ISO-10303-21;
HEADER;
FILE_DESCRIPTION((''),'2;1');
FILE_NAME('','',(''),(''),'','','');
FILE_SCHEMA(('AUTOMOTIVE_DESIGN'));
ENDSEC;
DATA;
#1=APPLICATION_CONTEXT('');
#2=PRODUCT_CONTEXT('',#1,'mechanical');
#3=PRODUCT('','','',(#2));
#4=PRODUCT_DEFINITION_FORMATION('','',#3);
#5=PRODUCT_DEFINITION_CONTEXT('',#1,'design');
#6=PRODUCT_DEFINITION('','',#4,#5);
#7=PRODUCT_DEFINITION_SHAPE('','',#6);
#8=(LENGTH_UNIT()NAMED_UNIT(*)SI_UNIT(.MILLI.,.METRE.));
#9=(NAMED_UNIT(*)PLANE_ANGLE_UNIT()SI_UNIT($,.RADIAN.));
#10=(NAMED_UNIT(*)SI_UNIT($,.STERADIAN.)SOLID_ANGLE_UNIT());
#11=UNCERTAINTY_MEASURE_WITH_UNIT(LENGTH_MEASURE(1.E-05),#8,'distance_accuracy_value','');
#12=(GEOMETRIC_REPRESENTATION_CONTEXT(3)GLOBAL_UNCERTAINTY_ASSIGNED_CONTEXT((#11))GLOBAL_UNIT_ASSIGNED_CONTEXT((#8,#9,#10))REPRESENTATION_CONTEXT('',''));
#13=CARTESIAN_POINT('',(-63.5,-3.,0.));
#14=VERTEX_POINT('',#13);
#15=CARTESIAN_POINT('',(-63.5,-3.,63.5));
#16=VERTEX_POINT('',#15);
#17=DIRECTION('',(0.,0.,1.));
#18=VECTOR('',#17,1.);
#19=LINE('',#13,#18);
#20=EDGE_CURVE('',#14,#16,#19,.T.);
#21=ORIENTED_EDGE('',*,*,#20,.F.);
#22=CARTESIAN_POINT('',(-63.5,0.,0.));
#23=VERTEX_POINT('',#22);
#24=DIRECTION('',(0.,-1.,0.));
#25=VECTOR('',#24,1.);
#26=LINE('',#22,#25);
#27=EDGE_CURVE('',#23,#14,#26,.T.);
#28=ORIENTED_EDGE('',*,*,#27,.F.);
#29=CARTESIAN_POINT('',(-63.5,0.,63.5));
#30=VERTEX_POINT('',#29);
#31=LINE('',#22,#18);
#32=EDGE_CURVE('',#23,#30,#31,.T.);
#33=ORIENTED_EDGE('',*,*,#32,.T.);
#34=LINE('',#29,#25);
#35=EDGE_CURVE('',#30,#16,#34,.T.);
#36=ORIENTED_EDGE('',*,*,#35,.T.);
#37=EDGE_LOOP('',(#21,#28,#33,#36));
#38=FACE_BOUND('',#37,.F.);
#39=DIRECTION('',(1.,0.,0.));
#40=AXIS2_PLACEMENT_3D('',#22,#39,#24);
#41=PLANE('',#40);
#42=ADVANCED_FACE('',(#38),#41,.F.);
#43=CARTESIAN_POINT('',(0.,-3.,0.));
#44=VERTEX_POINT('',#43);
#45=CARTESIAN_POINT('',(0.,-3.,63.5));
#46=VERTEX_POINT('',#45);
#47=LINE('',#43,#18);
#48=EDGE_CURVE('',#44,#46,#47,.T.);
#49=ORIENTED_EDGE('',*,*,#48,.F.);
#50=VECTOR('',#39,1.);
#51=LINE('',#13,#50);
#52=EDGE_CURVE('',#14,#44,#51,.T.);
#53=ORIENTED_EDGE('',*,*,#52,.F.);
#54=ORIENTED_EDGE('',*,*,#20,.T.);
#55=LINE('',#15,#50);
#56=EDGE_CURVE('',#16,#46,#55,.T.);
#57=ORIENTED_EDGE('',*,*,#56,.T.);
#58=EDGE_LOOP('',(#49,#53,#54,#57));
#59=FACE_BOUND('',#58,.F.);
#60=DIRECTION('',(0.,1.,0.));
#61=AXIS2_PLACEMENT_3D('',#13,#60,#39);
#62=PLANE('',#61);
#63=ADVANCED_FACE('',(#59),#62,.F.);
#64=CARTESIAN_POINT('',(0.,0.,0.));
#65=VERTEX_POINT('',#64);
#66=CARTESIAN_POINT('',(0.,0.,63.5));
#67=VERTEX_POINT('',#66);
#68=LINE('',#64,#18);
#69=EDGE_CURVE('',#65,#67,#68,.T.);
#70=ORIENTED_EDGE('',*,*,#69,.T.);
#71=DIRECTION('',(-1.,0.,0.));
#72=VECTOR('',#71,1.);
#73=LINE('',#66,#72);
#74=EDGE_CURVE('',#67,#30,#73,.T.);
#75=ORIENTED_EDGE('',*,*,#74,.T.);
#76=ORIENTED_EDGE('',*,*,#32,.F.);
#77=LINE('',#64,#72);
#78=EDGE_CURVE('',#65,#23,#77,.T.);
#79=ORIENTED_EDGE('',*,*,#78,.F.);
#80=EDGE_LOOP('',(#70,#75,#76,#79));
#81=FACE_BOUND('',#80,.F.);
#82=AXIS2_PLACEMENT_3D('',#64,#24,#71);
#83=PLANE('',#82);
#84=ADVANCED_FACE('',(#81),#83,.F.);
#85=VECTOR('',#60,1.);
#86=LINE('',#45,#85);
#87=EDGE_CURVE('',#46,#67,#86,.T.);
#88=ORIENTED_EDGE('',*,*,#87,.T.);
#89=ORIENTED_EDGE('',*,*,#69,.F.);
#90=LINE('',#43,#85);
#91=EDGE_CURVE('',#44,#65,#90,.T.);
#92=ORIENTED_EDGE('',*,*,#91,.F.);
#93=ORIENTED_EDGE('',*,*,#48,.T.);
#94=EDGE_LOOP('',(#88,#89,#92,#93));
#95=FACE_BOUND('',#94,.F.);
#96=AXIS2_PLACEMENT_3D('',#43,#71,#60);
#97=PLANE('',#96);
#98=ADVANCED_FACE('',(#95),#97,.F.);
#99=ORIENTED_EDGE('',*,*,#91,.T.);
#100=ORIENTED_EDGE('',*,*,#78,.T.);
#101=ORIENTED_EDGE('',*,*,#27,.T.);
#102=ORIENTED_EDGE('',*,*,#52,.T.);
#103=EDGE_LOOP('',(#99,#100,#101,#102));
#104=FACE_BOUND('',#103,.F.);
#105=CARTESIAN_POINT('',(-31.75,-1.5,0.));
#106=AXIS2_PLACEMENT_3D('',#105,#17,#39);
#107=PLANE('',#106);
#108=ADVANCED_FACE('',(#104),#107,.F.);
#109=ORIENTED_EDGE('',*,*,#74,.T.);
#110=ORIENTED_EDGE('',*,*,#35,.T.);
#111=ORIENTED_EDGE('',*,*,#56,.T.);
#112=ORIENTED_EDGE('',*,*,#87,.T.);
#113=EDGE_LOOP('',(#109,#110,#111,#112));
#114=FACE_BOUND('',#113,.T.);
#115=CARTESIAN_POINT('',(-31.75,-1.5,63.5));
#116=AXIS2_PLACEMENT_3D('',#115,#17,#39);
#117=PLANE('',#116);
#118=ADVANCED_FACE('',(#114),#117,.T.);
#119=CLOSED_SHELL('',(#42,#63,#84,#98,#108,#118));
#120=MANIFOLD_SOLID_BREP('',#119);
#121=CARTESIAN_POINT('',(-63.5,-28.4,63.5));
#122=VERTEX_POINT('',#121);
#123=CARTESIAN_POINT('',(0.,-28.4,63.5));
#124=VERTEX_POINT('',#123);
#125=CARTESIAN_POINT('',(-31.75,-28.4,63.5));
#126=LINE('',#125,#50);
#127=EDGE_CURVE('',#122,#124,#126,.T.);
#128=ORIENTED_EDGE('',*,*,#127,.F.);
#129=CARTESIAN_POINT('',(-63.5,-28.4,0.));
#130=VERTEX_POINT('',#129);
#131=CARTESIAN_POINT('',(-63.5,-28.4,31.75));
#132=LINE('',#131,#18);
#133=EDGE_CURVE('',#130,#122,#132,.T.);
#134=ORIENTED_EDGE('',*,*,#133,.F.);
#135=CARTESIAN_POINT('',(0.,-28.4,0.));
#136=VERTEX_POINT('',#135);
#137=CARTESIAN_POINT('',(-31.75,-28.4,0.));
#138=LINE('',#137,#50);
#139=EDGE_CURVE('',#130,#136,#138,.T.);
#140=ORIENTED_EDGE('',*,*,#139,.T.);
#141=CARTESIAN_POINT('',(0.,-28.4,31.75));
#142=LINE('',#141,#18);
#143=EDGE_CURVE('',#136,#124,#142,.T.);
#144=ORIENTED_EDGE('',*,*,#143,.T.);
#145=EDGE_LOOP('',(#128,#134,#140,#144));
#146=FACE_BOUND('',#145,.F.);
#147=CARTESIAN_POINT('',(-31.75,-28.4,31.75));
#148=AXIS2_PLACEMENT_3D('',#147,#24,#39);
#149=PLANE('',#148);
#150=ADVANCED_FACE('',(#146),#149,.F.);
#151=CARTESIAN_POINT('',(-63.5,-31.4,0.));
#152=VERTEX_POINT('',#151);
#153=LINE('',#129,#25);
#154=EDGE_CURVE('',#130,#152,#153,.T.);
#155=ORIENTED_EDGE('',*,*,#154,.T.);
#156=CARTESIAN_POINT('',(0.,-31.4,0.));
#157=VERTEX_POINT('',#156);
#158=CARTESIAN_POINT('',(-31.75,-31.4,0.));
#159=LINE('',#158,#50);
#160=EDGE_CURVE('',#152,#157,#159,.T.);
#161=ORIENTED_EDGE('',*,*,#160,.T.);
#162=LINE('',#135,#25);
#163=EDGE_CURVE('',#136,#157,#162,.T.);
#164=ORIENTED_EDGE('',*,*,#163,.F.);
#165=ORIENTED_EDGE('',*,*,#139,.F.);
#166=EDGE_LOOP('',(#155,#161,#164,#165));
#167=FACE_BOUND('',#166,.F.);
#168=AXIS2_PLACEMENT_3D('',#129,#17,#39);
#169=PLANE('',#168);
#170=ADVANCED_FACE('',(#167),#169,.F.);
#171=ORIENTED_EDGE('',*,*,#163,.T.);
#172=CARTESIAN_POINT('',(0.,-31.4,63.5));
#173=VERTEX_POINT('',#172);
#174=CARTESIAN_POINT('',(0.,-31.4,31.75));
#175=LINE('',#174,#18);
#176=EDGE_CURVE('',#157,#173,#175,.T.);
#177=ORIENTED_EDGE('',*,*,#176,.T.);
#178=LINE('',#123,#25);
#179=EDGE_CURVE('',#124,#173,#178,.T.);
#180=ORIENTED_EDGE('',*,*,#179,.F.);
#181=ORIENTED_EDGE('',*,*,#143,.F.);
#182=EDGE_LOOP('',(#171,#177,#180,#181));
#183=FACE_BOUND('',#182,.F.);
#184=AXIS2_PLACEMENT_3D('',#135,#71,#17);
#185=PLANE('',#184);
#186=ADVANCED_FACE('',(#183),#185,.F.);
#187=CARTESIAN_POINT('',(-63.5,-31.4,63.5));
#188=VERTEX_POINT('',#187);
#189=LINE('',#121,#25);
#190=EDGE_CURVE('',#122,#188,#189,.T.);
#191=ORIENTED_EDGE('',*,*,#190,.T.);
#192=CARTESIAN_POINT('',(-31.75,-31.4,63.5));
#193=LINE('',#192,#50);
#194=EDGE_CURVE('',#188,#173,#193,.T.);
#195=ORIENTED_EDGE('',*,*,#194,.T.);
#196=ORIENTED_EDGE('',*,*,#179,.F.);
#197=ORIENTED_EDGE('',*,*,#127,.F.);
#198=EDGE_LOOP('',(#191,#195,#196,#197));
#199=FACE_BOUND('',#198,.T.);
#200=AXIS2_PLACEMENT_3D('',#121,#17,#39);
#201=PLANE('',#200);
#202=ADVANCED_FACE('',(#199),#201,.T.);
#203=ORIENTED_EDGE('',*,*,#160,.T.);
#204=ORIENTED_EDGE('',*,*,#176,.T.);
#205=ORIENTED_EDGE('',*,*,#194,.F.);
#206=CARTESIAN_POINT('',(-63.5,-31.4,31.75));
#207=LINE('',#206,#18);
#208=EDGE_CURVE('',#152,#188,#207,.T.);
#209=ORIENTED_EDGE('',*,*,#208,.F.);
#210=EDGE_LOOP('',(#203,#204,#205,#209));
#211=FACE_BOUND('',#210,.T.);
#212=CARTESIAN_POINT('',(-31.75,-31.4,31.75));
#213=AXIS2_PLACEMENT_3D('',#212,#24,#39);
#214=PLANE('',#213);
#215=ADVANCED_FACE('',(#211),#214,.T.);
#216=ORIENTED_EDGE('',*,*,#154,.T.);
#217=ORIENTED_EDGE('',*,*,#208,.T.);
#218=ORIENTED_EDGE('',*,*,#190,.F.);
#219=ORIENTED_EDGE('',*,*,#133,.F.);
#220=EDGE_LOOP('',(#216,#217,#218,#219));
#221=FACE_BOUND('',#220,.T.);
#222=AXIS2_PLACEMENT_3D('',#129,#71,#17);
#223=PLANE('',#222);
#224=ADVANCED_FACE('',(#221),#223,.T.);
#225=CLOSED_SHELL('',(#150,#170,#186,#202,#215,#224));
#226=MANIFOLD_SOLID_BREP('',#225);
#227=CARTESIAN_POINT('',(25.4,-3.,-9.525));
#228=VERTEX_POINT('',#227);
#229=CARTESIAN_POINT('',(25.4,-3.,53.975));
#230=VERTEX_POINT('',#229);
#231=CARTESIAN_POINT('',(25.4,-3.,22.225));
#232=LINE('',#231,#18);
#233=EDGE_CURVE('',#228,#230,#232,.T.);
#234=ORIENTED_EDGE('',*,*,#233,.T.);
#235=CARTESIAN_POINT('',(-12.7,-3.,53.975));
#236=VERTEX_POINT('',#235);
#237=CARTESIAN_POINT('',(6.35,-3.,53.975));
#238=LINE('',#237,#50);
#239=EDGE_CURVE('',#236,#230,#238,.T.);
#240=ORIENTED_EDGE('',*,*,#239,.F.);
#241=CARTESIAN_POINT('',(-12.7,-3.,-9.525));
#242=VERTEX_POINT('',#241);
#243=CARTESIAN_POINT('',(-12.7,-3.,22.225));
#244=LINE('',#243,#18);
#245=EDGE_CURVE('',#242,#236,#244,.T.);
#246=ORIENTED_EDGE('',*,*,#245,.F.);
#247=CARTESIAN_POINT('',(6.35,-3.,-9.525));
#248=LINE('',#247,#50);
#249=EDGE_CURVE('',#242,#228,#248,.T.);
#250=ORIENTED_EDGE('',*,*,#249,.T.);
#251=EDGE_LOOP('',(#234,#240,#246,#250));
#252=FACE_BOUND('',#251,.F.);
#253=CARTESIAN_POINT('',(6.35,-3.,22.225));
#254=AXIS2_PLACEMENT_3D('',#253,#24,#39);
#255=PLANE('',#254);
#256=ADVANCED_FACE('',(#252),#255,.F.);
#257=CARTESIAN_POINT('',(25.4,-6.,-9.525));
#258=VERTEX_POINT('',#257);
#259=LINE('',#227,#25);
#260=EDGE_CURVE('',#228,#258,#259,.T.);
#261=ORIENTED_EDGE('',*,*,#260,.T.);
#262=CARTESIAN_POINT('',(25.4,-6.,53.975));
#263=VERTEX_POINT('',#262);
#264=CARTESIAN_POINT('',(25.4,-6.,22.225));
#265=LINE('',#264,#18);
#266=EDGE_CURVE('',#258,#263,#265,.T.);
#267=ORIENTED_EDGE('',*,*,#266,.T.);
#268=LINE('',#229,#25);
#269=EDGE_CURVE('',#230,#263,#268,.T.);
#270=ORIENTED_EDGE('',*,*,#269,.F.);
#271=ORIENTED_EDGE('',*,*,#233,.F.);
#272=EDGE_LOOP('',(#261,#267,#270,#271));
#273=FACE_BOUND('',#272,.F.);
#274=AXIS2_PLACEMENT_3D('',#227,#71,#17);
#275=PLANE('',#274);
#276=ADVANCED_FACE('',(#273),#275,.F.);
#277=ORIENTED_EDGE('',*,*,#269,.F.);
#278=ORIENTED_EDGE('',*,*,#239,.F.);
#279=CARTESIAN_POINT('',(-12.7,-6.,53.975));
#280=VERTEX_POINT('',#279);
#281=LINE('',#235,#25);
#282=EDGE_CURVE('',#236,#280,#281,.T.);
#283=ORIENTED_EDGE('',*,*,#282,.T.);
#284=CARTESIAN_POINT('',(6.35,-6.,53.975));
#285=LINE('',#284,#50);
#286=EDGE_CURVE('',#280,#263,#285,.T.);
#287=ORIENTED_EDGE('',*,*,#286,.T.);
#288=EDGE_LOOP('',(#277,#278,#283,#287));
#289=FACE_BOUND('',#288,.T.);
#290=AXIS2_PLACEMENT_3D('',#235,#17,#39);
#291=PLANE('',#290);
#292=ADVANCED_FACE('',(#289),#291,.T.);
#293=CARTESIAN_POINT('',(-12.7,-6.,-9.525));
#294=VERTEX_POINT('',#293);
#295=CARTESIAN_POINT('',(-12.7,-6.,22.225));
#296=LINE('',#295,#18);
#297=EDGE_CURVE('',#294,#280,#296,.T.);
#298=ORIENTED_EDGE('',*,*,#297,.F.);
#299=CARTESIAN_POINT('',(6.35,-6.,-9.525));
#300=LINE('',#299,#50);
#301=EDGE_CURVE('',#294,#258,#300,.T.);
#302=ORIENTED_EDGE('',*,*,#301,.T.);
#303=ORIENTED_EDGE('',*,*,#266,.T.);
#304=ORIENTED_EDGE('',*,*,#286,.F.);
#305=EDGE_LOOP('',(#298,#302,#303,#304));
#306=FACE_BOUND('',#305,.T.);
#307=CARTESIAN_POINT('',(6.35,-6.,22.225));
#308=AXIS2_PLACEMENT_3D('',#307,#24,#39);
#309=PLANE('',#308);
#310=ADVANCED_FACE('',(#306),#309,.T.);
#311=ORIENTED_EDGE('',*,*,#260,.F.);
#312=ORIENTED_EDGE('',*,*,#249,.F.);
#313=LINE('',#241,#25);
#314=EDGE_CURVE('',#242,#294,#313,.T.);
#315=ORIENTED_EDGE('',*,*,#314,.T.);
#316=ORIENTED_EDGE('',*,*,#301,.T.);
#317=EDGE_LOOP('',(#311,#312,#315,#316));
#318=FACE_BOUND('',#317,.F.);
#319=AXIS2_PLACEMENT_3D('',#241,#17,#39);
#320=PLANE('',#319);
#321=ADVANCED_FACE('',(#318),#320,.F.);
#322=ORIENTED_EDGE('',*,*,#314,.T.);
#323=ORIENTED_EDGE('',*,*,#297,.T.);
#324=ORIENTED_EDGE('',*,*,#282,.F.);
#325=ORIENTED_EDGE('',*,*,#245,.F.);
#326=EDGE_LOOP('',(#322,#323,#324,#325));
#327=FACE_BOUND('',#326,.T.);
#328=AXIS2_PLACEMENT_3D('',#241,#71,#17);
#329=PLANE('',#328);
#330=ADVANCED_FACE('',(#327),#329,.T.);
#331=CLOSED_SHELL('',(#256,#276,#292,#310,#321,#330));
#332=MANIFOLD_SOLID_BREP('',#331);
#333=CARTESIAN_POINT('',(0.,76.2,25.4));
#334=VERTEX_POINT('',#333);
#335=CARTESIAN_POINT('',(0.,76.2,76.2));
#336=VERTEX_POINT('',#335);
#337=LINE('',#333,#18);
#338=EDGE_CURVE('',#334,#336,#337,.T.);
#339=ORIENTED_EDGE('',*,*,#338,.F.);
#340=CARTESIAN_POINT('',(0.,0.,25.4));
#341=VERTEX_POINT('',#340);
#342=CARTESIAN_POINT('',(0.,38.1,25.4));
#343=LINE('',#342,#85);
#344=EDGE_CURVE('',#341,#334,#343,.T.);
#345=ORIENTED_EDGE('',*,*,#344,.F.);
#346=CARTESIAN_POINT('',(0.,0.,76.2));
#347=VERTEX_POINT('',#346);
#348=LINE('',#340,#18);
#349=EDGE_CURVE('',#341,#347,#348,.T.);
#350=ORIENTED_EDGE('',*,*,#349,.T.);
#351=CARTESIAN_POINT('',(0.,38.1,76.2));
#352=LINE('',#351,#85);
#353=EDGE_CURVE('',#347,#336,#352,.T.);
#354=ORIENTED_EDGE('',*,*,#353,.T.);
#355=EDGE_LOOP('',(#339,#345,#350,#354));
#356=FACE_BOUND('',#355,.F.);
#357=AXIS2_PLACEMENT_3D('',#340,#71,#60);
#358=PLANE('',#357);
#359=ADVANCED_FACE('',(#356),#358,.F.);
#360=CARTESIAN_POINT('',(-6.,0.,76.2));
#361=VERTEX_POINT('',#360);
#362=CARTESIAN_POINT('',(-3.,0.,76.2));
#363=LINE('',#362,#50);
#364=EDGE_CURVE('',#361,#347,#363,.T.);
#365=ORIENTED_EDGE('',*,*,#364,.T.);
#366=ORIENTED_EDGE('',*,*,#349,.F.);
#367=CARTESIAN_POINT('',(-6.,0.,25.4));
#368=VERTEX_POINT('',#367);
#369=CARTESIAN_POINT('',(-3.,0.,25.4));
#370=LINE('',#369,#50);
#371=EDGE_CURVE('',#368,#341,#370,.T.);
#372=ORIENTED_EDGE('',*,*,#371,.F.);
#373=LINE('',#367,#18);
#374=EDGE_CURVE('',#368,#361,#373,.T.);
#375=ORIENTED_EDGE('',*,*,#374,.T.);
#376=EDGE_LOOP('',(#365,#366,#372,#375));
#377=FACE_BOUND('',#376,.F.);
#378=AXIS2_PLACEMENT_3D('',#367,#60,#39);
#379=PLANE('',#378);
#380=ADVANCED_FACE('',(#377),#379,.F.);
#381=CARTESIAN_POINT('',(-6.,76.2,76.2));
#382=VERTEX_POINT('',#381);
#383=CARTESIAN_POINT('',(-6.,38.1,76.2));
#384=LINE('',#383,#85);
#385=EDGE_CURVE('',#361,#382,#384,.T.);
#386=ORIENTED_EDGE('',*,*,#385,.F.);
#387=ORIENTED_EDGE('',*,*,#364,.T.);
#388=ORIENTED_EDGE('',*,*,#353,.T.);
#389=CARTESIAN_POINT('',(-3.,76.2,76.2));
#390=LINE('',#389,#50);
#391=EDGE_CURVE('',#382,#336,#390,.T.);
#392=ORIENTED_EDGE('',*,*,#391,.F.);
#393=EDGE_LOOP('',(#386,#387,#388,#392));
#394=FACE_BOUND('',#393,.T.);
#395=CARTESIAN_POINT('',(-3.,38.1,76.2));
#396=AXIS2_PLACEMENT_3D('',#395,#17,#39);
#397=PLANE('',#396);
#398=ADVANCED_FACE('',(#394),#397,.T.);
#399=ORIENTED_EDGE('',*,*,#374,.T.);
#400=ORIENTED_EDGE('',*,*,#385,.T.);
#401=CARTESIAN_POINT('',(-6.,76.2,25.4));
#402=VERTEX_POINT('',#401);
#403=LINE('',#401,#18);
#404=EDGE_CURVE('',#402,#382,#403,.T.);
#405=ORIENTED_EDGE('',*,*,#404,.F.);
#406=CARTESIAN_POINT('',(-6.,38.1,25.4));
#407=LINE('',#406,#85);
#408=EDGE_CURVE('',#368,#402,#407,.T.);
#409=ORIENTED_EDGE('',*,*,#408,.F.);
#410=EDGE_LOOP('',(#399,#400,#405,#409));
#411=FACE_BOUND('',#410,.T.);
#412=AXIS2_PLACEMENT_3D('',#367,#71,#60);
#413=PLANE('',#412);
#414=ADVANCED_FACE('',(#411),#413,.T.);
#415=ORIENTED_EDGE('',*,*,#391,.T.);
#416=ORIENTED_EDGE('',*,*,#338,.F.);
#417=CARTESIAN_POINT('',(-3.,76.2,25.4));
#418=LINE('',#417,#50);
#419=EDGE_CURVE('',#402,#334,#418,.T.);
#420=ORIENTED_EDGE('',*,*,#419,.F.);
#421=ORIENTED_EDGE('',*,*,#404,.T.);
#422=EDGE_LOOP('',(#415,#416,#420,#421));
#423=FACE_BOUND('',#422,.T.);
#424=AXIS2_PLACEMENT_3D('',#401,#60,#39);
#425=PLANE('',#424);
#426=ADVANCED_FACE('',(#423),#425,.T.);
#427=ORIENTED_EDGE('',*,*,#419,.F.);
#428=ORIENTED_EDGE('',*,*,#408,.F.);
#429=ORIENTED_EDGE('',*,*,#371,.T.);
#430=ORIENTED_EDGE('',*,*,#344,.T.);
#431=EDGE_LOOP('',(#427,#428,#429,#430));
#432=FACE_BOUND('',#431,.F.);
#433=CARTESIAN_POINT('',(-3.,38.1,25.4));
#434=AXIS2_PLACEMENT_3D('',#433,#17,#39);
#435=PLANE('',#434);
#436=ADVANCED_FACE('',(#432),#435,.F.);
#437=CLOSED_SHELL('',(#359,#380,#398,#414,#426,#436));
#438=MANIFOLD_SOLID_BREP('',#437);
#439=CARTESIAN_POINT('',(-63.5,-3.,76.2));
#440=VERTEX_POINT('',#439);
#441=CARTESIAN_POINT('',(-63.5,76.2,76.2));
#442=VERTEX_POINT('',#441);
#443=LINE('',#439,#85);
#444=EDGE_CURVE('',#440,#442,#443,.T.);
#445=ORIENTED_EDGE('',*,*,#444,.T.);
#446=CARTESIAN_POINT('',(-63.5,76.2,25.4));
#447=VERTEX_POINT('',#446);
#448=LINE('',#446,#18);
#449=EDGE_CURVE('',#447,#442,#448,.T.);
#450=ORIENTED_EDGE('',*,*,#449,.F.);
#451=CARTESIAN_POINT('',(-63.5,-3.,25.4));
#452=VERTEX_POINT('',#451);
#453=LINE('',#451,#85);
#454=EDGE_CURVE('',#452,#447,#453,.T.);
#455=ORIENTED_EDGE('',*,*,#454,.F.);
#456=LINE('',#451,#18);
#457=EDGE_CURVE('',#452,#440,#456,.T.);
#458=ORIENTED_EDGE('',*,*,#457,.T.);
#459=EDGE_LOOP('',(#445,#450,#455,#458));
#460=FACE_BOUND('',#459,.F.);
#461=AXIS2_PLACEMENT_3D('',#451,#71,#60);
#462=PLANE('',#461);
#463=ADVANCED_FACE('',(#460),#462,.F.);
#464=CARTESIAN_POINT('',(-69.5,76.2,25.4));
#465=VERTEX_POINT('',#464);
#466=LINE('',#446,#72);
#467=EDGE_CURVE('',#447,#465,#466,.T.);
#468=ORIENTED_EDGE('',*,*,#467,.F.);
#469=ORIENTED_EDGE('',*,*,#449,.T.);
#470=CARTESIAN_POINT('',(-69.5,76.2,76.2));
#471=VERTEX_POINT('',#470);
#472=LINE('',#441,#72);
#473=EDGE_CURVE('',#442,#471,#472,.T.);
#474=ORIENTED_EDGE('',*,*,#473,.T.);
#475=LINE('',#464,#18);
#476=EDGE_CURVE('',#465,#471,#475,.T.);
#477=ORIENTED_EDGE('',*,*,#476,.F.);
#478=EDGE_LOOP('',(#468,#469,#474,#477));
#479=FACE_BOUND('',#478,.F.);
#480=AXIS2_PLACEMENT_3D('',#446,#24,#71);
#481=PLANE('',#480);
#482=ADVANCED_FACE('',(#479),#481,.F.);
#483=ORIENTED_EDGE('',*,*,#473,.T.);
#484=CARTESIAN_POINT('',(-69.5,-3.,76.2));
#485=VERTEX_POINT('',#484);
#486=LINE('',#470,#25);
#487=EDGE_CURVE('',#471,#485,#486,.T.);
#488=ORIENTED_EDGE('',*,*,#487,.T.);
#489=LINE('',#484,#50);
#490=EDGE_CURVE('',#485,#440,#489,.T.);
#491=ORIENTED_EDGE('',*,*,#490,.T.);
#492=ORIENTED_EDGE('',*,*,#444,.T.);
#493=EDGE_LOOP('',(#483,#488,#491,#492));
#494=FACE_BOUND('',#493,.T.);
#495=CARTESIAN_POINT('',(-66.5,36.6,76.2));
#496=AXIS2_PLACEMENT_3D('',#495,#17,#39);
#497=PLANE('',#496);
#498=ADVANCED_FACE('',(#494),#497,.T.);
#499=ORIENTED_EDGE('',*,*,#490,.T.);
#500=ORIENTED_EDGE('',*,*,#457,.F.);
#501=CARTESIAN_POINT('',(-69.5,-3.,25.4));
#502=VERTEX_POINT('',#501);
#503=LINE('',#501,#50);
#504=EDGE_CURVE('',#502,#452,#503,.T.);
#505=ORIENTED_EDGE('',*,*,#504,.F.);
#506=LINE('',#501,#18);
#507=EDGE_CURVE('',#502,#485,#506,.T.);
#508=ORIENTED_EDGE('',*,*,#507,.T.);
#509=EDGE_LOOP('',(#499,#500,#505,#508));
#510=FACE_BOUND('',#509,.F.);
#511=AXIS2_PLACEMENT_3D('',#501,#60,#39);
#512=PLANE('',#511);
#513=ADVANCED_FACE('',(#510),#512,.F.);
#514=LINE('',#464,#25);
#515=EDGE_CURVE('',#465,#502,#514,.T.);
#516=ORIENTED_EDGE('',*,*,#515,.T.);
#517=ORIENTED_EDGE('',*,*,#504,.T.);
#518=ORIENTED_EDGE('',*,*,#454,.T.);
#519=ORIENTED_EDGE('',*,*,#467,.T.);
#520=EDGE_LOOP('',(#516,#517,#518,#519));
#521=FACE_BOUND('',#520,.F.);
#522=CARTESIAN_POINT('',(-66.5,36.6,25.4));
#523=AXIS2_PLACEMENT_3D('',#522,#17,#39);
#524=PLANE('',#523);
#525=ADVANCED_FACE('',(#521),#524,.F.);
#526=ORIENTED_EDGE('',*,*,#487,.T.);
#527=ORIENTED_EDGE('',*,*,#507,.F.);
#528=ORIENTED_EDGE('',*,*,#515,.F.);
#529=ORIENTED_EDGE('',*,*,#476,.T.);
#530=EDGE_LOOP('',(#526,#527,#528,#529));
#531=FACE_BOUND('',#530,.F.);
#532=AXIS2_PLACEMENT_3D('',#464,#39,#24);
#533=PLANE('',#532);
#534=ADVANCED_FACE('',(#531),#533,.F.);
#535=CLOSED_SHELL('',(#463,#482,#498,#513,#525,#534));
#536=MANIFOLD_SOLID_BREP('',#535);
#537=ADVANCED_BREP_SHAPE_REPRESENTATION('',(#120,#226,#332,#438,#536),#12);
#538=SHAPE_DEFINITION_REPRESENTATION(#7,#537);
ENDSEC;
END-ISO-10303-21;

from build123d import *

# Parameters (mm, degrees)
F1_START  = 25.4
F1_DEPTH  = 50.8
F0_W      = 6
F0_H      = 76.2
F2_DEPTH  = 63.5
F3_W      = 38.1
F3_H      = 63.5
F4_DEPTH  = 3
F5_START  = 25.4
F2_FACE_W = 63.5
F2_FACE_H = 63.5
F5_DEPTH  = 3


with BuildPart() as f1:
    # F0 (on Top) → F1 (new body)
    with BuildSketch(Plane.XY.offset(F1_START)):
        Polygon((-63.5, -3), (-63.5, 0), (-63.5, 76.2), (-69.5, 76.2), (-69.5, -3), align=None)
    extrude(amount=F1_DEPTH)


with BuildPart() as f1b:
    # F0 (on Top) → F1, piece 2 (new body)
    with BuildSketch(Plane.XY.offset(F1_START)):
        with Locations((-3, 38.1)):
            Rectangle(F0_W, F0_H)
    extrude(amount=F1_DEPTH)


with BuildPart() as f2:
    # F0 (on Top) → F2 (new body)
    with BuildSketch(Plane.XY):
        Polygon((0, -3), (0, 0), (-6, 0), (-63.5, 0), (-63.5, -3), align=None)
    extrude(amount=F2_DEPTH)


with BuildPart() as f4:
    # F3 (on face) → F4 (new body)
    with BuildSketch(Plane.XZ.offset(3)):
        with Locations((6.35, 22.225)):
            Rectangle(F3_W, F3_H)
    extrude(amount=F4_DEPTH)


with BuildPart() as f5:
    # F2_face (on face) → F5 (new body)
    with BuildSketch(Plane(origin=(-31.75, -3, 31.75), x_dir=(1, 0, 0), z_dir=(0, -1, 0)).offset(F5_START)):
        Rectangle(F2_FACE_W, F2_FACE_H)
    extrude(amount=F5_DEPTH)


solid = Compound([f1.part, f1b.part, f2.part, f4.part, f5.part])
